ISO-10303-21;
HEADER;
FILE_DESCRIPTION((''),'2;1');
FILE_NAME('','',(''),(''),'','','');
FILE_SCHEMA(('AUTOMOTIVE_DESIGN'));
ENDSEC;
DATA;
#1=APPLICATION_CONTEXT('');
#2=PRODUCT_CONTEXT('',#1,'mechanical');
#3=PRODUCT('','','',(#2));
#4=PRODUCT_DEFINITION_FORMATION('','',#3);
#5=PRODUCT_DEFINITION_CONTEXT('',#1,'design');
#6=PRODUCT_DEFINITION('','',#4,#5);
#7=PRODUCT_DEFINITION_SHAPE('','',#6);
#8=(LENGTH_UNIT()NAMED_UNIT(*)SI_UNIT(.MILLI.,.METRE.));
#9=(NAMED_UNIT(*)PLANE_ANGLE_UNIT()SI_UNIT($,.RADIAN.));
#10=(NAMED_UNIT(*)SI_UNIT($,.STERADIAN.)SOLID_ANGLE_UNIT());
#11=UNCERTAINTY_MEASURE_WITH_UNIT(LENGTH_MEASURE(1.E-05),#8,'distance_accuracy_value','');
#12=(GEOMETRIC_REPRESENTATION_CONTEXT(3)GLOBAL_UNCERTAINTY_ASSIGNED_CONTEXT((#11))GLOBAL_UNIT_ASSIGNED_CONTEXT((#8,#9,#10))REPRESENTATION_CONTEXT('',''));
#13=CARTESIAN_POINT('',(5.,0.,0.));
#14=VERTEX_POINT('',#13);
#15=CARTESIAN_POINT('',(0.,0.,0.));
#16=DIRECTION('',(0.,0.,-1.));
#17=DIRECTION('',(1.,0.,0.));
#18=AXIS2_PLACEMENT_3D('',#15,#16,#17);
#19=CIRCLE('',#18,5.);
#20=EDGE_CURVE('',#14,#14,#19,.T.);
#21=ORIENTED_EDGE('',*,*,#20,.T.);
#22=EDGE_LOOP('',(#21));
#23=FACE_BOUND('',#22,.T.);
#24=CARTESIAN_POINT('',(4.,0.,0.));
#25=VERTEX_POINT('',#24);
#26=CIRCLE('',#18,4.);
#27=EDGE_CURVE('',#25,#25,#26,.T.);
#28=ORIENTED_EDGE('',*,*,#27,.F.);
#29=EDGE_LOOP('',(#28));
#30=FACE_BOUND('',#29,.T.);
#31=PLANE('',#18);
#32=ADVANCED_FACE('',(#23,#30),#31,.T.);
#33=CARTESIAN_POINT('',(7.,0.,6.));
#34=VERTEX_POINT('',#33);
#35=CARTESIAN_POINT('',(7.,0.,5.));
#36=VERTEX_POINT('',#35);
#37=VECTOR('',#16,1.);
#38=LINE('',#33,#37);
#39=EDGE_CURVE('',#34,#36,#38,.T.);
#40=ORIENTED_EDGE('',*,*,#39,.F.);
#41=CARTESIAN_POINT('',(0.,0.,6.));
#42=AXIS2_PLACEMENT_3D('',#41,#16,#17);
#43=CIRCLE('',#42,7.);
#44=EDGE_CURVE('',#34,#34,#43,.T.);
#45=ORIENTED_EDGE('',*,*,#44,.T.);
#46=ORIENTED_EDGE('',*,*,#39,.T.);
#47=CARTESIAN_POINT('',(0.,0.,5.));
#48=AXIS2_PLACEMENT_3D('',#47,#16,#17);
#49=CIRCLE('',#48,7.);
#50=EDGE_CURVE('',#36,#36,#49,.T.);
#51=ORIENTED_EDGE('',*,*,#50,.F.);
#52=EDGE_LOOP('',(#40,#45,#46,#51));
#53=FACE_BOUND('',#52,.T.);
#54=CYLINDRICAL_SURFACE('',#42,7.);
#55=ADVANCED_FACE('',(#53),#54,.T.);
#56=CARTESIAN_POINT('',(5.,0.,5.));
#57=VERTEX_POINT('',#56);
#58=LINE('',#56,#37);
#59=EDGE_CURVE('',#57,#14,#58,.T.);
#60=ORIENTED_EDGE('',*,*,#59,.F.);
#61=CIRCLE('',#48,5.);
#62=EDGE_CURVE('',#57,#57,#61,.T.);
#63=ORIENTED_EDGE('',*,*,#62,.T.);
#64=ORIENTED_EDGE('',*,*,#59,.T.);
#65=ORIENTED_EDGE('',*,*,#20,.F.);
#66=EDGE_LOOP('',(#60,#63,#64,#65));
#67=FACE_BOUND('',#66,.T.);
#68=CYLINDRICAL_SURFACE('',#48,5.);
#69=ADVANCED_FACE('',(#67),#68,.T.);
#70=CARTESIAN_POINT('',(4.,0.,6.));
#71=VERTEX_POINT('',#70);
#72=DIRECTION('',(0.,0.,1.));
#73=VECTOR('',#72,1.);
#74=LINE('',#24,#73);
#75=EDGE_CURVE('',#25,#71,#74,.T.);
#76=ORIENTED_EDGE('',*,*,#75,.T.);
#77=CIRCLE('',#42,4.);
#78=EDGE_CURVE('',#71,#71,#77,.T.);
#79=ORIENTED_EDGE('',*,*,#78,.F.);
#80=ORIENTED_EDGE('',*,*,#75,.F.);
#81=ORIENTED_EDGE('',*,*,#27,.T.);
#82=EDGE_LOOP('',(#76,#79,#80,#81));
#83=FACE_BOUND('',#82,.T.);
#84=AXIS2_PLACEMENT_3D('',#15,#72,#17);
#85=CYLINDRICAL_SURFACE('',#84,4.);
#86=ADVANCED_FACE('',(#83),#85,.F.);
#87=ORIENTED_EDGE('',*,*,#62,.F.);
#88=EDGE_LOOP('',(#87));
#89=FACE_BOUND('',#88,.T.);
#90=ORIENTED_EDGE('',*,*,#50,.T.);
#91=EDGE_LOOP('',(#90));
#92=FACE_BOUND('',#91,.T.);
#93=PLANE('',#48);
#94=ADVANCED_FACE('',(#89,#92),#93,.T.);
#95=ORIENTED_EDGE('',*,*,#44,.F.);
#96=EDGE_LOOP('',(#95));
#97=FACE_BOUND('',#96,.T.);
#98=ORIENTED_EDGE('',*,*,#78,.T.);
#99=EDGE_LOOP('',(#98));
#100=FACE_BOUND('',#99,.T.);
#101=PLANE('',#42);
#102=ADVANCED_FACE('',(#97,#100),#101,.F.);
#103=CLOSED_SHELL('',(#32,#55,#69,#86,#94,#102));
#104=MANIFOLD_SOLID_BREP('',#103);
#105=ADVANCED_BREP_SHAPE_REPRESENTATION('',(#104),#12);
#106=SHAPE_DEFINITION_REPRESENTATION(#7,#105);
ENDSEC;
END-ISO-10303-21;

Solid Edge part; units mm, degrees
sketch "Sketch1" plane through (0, 0, 0) normal (0, -1, 0) x (1, 0, 0)
  line L0 (4, 0) -> (4, 6)
  line L1 (4, 6) -> (7, 6)
  line L2 (7, 6) -> (7, 5)
  line L3 (7, 5) -> (5, 5)
  line L4 (5, 5) -> (5, 0)
  line L5 (5, 0) -> (4, 0)
  dimension "D1" = 4
  dimension "D2" = 5
  dimension "D3" = 6
  dimension "D4" = 1
  dimension "D5" = 2
revolve "RevolvedProtrusion1" add sketch "Sketch1" angle 360 about axis through (0, 0, 54) along (0, 0, -1)
properties material "Bronze, 90%"
